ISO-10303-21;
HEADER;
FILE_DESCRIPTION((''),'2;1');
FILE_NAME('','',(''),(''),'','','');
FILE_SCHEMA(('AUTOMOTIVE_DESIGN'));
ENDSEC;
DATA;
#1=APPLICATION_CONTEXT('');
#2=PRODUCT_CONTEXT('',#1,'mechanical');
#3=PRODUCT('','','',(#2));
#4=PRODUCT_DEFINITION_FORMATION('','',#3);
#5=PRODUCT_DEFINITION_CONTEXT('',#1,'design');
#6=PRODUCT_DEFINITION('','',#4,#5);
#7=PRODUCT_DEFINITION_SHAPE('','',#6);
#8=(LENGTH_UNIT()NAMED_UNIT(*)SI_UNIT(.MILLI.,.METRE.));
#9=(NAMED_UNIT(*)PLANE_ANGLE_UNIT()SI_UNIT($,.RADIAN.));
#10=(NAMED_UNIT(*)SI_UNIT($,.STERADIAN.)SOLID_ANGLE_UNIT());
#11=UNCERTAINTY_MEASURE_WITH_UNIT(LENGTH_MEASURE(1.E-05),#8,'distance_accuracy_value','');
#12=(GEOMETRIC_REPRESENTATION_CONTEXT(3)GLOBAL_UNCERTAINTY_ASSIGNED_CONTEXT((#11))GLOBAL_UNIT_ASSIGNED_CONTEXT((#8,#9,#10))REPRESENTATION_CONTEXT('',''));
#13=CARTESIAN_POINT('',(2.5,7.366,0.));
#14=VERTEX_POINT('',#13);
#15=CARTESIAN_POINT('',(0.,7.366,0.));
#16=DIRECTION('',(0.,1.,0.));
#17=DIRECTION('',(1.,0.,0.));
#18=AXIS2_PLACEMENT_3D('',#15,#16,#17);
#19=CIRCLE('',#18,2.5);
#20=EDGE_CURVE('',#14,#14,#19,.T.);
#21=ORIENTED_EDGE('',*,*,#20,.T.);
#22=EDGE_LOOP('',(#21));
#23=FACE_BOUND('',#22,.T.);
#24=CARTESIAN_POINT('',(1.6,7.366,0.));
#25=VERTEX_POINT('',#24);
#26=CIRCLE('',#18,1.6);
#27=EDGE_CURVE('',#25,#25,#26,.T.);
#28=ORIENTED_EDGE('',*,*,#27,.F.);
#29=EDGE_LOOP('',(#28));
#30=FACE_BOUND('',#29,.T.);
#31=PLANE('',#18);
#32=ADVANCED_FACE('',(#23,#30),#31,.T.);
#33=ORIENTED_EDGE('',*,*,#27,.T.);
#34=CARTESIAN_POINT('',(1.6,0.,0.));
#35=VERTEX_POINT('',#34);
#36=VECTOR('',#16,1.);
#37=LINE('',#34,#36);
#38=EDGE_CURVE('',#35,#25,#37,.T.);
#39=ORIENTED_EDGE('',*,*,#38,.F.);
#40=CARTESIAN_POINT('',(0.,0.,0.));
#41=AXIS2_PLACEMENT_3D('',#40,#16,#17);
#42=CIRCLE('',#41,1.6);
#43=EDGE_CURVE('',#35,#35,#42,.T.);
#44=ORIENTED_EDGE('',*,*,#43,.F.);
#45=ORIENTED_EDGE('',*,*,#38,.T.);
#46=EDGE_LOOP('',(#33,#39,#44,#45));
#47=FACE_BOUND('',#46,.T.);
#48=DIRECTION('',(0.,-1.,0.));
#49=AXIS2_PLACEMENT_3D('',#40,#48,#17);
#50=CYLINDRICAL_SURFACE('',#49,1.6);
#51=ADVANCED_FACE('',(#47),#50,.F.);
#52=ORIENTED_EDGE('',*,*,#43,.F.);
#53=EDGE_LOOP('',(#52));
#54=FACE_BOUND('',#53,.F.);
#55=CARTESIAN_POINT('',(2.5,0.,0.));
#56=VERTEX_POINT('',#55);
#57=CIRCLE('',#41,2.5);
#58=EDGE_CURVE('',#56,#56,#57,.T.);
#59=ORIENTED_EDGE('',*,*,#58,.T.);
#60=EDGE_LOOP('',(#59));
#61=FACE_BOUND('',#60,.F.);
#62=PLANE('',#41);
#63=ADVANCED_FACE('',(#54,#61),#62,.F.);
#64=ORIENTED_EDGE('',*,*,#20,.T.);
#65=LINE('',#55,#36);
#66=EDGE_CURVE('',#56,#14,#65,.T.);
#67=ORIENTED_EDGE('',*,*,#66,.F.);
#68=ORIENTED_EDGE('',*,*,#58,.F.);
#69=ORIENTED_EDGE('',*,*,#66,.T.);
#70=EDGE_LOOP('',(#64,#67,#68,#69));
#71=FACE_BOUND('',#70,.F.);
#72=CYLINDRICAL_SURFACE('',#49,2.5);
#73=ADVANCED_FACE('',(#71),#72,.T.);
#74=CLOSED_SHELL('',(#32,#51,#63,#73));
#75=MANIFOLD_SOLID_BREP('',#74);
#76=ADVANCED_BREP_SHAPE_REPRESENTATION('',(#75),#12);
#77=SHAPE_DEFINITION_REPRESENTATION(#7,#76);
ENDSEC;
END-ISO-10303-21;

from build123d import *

# Parameters (mm, degrees)
SKETCH1_R           = 2.5
SKETCH1_R_2         = 1.6
BOSS_EXTRUDE1_DEPTH = 7.366


with BuildPart() as part:
    # Sketch1 → Boss-Extrude1 (new body)
    with BuildSketch(Plane(origin=(0, 0, 0), x_dir=(1, 0, 0), z_dir=(0, 1, 0))):
        Circle(SKETCH1_R)
        Circle(SKETCH1_R_2, mode=Mode.SUBTRACT)
    extrude(amount=BOSS_EXTRUDE1_DEPTH)


solid = part.part
